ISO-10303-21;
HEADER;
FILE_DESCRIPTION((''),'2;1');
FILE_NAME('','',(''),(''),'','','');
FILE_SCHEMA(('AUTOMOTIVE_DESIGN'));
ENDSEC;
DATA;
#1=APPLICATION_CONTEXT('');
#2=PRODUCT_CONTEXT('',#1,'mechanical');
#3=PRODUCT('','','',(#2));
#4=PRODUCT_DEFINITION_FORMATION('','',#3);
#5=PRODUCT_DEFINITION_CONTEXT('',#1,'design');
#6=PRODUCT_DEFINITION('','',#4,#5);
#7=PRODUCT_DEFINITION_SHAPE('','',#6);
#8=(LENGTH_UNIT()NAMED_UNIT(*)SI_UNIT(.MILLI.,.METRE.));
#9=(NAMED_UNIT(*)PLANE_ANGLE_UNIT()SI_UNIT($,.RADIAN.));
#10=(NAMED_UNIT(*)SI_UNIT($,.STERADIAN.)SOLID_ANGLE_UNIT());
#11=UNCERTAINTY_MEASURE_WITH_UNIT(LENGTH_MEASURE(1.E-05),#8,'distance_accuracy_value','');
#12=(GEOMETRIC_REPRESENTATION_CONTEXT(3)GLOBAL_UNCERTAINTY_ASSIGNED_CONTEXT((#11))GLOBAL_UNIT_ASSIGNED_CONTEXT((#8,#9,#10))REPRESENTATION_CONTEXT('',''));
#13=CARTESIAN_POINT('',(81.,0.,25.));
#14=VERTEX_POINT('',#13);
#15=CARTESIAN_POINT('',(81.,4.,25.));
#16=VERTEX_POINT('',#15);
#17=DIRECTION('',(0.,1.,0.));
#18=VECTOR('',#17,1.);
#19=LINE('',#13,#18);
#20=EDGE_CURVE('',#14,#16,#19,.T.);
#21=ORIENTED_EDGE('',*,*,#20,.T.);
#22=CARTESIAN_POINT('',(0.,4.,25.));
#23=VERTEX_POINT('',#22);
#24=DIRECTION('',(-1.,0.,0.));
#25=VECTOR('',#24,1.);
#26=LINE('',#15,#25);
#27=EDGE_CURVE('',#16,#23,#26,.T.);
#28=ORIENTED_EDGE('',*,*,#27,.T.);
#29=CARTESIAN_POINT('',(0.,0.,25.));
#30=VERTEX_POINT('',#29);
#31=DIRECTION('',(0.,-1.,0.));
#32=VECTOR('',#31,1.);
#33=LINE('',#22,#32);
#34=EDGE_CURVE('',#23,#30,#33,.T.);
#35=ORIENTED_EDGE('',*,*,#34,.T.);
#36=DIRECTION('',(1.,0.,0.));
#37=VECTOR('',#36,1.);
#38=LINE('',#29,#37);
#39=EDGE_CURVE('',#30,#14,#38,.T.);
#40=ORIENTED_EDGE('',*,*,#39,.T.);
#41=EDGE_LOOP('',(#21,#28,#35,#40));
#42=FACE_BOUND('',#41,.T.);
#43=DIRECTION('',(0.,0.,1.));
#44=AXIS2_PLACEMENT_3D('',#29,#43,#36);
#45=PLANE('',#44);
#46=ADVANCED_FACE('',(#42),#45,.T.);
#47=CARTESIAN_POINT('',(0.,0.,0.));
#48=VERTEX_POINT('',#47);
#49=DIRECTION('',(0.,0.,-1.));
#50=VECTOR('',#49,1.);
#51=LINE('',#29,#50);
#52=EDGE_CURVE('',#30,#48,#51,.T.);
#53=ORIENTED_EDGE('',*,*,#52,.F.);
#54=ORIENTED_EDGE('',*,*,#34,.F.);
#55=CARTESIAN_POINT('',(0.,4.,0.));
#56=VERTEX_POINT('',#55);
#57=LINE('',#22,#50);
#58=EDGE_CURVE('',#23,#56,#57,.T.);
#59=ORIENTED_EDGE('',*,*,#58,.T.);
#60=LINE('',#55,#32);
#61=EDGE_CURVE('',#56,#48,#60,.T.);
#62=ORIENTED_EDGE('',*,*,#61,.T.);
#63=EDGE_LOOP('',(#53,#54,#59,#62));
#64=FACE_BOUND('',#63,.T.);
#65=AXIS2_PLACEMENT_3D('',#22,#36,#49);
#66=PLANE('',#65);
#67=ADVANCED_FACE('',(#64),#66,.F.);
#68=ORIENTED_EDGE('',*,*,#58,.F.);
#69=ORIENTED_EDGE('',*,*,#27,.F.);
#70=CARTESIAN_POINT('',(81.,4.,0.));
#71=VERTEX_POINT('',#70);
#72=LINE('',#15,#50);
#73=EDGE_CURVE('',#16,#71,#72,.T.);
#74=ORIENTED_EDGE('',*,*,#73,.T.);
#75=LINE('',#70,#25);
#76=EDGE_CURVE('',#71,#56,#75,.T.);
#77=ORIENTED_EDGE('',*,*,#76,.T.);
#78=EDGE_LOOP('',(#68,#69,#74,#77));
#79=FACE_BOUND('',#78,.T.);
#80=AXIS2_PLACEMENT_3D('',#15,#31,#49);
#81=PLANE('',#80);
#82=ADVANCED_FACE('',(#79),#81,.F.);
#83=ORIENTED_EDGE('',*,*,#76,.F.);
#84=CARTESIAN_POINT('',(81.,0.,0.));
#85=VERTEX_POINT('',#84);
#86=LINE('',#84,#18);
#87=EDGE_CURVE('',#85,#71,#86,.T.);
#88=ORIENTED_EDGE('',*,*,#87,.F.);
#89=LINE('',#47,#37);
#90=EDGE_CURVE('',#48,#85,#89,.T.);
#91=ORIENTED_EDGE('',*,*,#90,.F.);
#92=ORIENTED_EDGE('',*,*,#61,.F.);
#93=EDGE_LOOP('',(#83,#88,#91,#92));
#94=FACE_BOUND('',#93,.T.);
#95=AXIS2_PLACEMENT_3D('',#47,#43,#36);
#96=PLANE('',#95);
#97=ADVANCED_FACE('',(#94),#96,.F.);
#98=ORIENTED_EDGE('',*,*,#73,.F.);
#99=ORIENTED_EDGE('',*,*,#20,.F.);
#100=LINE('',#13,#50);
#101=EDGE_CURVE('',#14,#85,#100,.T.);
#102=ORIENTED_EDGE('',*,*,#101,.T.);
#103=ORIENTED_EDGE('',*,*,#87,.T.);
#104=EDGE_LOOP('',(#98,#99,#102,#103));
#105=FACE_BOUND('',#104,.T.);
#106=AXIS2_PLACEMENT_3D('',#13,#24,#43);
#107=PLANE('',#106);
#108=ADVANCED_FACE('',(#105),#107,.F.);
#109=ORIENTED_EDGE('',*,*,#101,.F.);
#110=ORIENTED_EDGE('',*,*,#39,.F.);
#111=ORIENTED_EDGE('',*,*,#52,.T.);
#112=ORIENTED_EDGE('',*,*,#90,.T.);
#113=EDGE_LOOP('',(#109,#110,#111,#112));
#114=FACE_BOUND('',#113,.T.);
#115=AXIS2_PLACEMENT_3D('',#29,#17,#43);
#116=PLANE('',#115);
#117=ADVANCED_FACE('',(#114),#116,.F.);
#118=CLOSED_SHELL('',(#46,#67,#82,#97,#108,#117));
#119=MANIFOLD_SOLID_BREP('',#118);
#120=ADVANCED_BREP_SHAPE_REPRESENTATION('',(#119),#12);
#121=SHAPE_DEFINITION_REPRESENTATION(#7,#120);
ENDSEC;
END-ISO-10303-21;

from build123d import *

# Parameters (mm, degrees)
SKETCH_1_W         = 81
SKETCH_1_H         = 4
BLOCKEXTRUDE_DEPTH = 25


with BuildPart() as part:
    # 草图1 → BlockExtrude (new body)
    with BuildSketch(Plane.XY):
        with Locations((40.5, 2)):
            Rectangle(SKETCH_1_W, SKETCH_1_H)
    extrude(amount=BLOCKEXTRUDE_DEPTH)


solid = part.part
